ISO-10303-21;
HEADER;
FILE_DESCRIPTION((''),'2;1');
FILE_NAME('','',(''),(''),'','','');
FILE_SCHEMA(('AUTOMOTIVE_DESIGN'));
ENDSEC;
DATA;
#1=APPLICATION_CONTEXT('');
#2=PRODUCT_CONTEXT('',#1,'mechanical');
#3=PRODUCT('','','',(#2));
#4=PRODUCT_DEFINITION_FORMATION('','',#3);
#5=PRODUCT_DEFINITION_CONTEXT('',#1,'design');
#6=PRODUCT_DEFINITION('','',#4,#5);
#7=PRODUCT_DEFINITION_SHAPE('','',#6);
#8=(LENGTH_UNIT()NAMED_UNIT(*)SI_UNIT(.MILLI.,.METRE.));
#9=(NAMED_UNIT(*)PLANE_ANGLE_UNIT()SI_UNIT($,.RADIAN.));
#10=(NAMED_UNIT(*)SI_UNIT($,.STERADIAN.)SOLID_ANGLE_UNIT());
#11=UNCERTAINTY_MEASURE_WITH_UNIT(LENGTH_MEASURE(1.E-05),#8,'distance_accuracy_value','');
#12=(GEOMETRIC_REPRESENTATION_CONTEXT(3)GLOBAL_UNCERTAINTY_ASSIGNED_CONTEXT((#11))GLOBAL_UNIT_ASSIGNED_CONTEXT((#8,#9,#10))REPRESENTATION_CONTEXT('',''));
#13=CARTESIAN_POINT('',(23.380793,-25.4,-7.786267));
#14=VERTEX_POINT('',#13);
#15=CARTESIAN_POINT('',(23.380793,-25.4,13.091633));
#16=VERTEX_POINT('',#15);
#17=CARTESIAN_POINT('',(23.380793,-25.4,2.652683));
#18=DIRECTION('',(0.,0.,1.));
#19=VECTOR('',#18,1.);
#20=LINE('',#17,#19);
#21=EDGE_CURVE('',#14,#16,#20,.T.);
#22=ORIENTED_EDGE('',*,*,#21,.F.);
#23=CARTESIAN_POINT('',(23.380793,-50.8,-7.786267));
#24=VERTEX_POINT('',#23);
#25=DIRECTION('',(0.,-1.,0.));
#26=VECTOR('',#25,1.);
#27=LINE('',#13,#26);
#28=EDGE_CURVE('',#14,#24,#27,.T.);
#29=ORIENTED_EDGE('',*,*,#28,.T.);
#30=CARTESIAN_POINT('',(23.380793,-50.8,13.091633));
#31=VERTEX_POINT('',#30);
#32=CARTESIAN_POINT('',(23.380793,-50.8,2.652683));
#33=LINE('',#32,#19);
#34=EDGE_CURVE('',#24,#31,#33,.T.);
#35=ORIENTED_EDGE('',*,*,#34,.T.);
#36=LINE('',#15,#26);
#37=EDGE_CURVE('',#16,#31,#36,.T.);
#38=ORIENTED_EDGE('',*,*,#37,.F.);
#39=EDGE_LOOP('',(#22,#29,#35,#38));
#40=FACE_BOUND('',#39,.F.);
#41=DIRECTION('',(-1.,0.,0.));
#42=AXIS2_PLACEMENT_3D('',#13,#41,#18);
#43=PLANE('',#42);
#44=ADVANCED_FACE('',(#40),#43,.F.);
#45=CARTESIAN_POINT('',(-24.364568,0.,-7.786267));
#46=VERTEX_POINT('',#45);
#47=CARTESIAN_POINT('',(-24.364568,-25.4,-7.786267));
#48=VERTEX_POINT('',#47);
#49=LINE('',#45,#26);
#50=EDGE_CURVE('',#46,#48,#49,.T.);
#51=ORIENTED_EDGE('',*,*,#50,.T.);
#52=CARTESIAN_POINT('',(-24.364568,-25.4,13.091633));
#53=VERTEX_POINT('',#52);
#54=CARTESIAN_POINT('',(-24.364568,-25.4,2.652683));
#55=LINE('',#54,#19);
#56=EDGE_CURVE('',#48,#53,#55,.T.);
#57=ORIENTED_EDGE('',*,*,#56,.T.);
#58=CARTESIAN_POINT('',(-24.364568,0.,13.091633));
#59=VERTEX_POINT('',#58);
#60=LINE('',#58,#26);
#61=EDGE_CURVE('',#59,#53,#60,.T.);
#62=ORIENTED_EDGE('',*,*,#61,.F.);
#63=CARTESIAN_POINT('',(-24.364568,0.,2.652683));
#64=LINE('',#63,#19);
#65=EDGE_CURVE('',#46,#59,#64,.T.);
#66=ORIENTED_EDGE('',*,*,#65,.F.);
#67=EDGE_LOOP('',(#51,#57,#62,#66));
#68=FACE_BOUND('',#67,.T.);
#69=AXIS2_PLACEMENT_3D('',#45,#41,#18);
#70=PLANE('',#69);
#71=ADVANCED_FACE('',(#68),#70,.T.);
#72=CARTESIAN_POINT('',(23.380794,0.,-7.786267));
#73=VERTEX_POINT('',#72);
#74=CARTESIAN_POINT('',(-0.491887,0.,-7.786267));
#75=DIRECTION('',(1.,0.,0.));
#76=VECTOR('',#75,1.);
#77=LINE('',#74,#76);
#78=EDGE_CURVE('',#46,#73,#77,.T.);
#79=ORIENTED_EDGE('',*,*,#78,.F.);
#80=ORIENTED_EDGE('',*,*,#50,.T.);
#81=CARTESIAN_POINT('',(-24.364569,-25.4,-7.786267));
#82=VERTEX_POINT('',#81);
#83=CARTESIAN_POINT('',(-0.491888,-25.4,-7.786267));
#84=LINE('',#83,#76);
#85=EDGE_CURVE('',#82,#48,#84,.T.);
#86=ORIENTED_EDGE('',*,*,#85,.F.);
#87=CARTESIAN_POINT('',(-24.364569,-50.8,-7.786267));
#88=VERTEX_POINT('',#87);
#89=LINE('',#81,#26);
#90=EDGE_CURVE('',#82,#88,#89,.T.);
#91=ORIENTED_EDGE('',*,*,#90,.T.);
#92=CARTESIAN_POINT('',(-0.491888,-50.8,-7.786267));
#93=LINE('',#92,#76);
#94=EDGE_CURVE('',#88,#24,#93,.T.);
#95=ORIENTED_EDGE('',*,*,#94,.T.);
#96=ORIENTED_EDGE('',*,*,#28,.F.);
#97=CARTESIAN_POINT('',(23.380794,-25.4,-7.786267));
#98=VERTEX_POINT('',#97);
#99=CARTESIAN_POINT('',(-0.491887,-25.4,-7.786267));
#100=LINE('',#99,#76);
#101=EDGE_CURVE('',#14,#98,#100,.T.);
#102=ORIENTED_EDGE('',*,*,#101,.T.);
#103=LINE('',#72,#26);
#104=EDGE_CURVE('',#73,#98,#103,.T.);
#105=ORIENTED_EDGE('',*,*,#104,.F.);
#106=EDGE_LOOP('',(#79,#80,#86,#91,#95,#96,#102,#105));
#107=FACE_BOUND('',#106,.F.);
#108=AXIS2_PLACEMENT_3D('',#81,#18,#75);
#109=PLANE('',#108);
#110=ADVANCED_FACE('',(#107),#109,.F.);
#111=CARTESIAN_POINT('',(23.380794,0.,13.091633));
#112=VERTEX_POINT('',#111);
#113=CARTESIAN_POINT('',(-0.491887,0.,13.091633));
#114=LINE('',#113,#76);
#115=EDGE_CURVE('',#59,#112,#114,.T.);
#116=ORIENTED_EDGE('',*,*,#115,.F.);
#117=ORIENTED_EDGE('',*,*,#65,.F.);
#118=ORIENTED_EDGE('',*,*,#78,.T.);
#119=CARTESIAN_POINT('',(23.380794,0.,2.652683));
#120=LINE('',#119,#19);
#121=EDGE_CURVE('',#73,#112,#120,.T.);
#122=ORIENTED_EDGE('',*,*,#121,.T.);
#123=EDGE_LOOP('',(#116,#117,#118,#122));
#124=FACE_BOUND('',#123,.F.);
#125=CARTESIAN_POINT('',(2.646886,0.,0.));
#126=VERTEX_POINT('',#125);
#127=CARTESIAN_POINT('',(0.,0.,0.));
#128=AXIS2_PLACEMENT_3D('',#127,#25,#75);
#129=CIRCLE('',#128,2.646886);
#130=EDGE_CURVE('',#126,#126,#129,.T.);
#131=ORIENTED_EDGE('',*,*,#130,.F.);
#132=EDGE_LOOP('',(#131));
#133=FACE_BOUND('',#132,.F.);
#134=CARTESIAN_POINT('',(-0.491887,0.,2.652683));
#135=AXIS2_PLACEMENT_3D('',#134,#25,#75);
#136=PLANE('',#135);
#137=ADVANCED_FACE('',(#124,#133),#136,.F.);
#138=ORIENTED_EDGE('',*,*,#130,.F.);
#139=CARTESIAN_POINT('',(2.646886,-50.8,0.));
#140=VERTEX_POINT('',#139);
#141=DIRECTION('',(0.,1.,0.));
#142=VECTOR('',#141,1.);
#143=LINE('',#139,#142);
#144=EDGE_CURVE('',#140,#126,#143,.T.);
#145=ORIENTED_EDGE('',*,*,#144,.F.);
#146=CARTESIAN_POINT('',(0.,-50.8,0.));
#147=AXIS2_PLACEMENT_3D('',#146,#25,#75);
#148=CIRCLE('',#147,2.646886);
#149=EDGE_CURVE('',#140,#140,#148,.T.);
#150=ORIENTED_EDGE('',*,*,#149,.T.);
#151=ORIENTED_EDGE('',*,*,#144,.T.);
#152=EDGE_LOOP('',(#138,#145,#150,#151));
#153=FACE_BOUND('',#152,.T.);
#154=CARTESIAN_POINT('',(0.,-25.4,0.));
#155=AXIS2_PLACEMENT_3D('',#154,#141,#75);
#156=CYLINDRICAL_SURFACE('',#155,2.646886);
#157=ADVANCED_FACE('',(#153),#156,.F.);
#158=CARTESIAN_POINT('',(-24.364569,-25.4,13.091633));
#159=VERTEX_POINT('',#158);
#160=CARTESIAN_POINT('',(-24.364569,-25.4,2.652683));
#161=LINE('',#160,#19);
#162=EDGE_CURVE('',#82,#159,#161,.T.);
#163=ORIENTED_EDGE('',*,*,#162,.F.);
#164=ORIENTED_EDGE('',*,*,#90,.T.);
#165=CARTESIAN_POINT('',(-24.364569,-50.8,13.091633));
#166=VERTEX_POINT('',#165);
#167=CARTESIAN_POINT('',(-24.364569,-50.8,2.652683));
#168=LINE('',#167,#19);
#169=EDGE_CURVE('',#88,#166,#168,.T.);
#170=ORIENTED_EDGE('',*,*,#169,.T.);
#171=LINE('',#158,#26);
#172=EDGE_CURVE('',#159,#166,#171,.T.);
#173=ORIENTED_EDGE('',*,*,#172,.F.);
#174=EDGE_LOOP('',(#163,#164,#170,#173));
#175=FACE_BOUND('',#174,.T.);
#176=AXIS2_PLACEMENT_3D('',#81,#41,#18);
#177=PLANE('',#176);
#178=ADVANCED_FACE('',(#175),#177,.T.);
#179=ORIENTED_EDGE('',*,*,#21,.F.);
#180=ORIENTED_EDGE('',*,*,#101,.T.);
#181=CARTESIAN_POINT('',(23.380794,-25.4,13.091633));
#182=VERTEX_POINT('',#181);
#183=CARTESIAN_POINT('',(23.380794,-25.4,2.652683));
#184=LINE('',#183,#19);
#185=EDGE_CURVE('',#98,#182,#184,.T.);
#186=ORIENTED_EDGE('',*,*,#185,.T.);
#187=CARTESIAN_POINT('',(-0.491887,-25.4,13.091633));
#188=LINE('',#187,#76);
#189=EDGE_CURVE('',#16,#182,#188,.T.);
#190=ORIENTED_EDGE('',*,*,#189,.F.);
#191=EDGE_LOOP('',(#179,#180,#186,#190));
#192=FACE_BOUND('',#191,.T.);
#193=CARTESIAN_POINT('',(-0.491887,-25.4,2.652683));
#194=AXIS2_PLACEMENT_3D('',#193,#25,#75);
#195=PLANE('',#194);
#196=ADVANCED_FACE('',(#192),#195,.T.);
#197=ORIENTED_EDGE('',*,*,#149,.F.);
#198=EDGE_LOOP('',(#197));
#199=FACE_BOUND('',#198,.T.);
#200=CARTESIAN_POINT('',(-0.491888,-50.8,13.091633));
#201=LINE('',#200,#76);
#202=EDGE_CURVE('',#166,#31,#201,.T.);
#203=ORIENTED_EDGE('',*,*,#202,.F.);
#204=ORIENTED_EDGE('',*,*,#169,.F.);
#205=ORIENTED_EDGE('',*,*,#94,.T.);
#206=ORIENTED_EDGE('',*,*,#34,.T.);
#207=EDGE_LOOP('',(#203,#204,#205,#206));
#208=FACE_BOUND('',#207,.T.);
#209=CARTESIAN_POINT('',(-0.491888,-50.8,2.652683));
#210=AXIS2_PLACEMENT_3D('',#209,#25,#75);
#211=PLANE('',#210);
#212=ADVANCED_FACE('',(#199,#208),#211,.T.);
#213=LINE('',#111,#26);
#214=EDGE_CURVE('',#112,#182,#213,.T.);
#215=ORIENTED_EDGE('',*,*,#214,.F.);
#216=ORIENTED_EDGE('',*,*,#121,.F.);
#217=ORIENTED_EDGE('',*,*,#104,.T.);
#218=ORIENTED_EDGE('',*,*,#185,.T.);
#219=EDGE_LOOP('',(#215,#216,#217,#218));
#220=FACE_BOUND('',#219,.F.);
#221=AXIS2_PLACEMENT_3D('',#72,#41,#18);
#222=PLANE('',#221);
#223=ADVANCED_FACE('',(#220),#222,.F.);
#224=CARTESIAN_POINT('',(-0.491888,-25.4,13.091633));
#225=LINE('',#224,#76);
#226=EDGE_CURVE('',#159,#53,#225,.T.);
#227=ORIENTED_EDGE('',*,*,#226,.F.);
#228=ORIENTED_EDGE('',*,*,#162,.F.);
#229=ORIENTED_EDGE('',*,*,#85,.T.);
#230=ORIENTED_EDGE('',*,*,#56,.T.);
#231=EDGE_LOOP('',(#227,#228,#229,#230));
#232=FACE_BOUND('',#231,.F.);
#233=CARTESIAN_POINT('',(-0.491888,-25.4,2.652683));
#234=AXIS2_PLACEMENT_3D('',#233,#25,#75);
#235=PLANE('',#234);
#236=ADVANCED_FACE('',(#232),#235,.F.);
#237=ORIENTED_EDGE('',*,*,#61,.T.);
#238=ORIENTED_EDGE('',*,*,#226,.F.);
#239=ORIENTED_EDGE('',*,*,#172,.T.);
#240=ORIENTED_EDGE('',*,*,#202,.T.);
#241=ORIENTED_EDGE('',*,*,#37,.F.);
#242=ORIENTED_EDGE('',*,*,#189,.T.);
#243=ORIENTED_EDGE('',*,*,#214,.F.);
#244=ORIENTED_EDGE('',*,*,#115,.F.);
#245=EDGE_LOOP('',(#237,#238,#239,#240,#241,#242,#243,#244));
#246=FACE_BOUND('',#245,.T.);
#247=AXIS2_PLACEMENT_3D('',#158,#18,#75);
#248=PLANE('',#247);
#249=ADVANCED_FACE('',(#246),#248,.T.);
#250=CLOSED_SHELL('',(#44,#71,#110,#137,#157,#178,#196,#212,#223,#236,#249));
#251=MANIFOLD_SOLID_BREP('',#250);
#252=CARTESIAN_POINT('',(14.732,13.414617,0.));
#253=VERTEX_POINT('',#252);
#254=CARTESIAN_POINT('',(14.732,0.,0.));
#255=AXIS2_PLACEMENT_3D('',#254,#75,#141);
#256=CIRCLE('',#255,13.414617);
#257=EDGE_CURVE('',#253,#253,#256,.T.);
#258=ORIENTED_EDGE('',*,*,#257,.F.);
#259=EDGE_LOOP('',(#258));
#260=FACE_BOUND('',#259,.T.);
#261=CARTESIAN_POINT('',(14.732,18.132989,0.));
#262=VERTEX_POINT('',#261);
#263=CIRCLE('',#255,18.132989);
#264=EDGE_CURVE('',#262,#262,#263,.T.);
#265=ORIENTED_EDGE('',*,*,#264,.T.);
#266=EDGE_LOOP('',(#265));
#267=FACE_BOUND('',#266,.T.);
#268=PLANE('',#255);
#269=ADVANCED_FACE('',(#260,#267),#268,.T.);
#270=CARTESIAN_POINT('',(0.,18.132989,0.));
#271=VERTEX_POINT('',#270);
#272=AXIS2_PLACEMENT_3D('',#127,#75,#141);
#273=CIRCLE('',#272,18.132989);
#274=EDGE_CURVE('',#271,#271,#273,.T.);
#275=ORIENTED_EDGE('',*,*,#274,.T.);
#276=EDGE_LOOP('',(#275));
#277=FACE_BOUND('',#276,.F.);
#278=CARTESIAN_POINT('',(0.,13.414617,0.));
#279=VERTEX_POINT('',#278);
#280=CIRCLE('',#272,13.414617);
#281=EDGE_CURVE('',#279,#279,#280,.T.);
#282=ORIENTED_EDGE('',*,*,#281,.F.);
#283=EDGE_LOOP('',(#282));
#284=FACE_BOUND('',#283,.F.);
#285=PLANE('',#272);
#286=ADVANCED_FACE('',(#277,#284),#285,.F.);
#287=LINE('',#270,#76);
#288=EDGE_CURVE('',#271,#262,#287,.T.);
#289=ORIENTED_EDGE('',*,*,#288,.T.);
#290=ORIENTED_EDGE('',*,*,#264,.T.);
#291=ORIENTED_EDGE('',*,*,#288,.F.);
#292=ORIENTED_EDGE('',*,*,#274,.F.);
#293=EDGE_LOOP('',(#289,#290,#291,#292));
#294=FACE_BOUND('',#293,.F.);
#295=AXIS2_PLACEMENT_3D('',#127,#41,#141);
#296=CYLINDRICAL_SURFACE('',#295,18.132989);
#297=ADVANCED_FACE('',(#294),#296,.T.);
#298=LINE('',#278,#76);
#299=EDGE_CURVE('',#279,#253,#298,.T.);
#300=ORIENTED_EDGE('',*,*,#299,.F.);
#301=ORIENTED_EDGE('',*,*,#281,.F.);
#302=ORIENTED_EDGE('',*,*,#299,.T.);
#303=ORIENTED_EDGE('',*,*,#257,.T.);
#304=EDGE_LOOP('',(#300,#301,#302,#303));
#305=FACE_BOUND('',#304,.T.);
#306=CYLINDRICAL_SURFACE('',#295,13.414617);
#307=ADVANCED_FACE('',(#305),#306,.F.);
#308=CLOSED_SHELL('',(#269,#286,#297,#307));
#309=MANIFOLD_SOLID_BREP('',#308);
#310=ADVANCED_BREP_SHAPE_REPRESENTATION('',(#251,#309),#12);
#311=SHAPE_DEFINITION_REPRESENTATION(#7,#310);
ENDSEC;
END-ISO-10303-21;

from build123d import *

# Parameters (mm, degrees)
F0_R      = 18.132989
F0_R_2    = 13.414617
F1_DEPTH  = 14.732
F2_W      = 47.745362
F2_H      = 20.8779
F2_R      = 2.646886
F3_DEPTH  = 25.4
F3_FACE_W = 47.745362
F3_FACE_H = 20.8779
F3_FACE_R = 2.646886
F4_DEPTH  = 25.4


with BuildPart() as f1:
    # F0 (on Right) → F1 (new body)
    with BuildSketch(Plane.YZ):
        Circle(F0_R)
        Circle(F0_R_2, mode=Mode.SUBTRACT)
    extrude(amount=F1_DEPTH)


with BuildPart() as f3:
    # F2 (on Front) → F3 (new body)
    with BuildSketch(Plane.XZ):
        with Locations((-0.491887, 2.652683)):
            Rectangle(F2_W, F2_H)
        Circle(F2_R, mode=Mode.SUBTRACT)
    extrude(amount=F3_DEPTH)

    # F3_face (on face) → F4 (join)
    with BuildSketch(Plane(origin=(-0.502994, -25.4, 2.712577), x_dir=(1, 0, 0), z_dir=(0, -1, 0))):
        with Locations((0.011106, -0.059894)):
            Rectangle(F3_FACE_W, F3_FACE_H)
        with Locations((0.502994, -2.712577)):
            Circle(F3_FACE_R, mode=Mode.SUBTRACT)
    extrude(amount=F4_DEPTH)


solid = Compound([f1.part, f3.part])
